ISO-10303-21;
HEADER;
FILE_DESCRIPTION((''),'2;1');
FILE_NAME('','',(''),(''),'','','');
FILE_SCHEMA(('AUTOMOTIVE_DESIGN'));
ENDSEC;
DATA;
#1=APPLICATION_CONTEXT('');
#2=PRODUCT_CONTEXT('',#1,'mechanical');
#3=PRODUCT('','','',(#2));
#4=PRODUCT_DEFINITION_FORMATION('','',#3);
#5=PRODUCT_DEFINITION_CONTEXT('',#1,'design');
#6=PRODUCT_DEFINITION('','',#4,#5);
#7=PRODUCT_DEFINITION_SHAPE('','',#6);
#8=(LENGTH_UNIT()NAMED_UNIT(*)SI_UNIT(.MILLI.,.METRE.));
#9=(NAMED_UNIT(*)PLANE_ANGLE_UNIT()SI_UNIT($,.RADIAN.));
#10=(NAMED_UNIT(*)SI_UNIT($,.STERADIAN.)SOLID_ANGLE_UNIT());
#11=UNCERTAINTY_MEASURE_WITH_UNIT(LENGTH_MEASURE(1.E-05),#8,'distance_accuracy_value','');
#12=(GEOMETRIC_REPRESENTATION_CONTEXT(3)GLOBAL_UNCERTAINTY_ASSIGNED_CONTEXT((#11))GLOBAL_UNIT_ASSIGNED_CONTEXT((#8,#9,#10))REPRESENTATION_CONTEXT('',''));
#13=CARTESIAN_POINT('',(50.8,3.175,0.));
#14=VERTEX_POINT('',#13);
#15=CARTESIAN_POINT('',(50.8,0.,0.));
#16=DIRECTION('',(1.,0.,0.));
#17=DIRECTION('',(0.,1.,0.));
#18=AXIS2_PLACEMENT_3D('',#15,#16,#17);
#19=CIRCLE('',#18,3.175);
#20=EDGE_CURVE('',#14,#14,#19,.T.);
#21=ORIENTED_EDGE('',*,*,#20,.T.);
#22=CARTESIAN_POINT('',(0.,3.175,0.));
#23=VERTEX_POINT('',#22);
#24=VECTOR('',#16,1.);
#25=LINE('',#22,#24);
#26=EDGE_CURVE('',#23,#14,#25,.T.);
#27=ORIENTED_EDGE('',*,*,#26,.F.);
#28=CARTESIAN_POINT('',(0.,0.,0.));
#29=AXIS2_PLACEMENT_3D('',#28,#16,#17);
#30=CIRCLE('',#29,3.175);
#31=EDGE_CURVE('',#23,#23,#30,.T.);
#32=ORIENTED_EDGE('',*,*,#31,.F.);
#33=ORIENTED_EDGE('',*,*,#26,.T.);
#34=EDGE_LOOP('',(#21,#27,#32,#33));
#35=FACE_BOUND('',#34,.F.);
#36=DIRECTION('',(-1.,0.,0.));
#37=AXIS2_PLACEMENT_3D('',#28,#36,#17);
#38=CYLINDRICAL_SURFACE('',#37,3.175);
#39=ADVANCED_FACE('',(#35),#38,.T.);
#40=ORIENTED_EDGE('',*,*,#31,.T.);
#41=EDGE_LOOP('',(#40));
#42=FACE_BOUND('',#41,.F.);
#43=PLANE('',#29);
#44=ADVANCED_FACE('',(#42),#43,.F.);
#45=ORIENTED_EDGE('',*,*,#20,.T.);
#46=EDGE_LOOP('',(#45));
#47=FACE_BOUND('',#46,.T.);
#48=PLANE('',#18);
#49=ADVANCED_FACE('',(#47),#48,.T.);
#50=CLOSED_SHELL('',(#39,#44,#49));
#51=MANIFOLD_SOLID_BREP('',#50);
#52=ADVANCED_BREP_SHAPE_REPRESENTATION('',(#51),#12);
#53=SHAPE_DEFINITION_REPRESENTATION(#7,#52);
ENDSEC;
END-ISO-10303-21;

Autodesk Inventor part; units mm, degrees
ref_plane "YZ Plane" through (0, 0, 0) normal (1, 0, 0) x (0, 1, 0)
ref_plane "XZ Plane" through (0, 0, 0) normal (0, 1, 0) x (-1, 0, 0)
ref_plane "XY Plane" through (0, 0, 0) normal (0, 0, 1) x (1, 0, 0)
sketch "Sketch1" plane through (0, 0, 0) normal (1, 0, 0) x (0, 1, 0)
  circle A0 centre (0, 0) radius 3.175
  dimension "d0" = 6.35
extrude "Extrusion1" add sketch "Sketch1" along normal blind 50.8
properties part number "Pin"
